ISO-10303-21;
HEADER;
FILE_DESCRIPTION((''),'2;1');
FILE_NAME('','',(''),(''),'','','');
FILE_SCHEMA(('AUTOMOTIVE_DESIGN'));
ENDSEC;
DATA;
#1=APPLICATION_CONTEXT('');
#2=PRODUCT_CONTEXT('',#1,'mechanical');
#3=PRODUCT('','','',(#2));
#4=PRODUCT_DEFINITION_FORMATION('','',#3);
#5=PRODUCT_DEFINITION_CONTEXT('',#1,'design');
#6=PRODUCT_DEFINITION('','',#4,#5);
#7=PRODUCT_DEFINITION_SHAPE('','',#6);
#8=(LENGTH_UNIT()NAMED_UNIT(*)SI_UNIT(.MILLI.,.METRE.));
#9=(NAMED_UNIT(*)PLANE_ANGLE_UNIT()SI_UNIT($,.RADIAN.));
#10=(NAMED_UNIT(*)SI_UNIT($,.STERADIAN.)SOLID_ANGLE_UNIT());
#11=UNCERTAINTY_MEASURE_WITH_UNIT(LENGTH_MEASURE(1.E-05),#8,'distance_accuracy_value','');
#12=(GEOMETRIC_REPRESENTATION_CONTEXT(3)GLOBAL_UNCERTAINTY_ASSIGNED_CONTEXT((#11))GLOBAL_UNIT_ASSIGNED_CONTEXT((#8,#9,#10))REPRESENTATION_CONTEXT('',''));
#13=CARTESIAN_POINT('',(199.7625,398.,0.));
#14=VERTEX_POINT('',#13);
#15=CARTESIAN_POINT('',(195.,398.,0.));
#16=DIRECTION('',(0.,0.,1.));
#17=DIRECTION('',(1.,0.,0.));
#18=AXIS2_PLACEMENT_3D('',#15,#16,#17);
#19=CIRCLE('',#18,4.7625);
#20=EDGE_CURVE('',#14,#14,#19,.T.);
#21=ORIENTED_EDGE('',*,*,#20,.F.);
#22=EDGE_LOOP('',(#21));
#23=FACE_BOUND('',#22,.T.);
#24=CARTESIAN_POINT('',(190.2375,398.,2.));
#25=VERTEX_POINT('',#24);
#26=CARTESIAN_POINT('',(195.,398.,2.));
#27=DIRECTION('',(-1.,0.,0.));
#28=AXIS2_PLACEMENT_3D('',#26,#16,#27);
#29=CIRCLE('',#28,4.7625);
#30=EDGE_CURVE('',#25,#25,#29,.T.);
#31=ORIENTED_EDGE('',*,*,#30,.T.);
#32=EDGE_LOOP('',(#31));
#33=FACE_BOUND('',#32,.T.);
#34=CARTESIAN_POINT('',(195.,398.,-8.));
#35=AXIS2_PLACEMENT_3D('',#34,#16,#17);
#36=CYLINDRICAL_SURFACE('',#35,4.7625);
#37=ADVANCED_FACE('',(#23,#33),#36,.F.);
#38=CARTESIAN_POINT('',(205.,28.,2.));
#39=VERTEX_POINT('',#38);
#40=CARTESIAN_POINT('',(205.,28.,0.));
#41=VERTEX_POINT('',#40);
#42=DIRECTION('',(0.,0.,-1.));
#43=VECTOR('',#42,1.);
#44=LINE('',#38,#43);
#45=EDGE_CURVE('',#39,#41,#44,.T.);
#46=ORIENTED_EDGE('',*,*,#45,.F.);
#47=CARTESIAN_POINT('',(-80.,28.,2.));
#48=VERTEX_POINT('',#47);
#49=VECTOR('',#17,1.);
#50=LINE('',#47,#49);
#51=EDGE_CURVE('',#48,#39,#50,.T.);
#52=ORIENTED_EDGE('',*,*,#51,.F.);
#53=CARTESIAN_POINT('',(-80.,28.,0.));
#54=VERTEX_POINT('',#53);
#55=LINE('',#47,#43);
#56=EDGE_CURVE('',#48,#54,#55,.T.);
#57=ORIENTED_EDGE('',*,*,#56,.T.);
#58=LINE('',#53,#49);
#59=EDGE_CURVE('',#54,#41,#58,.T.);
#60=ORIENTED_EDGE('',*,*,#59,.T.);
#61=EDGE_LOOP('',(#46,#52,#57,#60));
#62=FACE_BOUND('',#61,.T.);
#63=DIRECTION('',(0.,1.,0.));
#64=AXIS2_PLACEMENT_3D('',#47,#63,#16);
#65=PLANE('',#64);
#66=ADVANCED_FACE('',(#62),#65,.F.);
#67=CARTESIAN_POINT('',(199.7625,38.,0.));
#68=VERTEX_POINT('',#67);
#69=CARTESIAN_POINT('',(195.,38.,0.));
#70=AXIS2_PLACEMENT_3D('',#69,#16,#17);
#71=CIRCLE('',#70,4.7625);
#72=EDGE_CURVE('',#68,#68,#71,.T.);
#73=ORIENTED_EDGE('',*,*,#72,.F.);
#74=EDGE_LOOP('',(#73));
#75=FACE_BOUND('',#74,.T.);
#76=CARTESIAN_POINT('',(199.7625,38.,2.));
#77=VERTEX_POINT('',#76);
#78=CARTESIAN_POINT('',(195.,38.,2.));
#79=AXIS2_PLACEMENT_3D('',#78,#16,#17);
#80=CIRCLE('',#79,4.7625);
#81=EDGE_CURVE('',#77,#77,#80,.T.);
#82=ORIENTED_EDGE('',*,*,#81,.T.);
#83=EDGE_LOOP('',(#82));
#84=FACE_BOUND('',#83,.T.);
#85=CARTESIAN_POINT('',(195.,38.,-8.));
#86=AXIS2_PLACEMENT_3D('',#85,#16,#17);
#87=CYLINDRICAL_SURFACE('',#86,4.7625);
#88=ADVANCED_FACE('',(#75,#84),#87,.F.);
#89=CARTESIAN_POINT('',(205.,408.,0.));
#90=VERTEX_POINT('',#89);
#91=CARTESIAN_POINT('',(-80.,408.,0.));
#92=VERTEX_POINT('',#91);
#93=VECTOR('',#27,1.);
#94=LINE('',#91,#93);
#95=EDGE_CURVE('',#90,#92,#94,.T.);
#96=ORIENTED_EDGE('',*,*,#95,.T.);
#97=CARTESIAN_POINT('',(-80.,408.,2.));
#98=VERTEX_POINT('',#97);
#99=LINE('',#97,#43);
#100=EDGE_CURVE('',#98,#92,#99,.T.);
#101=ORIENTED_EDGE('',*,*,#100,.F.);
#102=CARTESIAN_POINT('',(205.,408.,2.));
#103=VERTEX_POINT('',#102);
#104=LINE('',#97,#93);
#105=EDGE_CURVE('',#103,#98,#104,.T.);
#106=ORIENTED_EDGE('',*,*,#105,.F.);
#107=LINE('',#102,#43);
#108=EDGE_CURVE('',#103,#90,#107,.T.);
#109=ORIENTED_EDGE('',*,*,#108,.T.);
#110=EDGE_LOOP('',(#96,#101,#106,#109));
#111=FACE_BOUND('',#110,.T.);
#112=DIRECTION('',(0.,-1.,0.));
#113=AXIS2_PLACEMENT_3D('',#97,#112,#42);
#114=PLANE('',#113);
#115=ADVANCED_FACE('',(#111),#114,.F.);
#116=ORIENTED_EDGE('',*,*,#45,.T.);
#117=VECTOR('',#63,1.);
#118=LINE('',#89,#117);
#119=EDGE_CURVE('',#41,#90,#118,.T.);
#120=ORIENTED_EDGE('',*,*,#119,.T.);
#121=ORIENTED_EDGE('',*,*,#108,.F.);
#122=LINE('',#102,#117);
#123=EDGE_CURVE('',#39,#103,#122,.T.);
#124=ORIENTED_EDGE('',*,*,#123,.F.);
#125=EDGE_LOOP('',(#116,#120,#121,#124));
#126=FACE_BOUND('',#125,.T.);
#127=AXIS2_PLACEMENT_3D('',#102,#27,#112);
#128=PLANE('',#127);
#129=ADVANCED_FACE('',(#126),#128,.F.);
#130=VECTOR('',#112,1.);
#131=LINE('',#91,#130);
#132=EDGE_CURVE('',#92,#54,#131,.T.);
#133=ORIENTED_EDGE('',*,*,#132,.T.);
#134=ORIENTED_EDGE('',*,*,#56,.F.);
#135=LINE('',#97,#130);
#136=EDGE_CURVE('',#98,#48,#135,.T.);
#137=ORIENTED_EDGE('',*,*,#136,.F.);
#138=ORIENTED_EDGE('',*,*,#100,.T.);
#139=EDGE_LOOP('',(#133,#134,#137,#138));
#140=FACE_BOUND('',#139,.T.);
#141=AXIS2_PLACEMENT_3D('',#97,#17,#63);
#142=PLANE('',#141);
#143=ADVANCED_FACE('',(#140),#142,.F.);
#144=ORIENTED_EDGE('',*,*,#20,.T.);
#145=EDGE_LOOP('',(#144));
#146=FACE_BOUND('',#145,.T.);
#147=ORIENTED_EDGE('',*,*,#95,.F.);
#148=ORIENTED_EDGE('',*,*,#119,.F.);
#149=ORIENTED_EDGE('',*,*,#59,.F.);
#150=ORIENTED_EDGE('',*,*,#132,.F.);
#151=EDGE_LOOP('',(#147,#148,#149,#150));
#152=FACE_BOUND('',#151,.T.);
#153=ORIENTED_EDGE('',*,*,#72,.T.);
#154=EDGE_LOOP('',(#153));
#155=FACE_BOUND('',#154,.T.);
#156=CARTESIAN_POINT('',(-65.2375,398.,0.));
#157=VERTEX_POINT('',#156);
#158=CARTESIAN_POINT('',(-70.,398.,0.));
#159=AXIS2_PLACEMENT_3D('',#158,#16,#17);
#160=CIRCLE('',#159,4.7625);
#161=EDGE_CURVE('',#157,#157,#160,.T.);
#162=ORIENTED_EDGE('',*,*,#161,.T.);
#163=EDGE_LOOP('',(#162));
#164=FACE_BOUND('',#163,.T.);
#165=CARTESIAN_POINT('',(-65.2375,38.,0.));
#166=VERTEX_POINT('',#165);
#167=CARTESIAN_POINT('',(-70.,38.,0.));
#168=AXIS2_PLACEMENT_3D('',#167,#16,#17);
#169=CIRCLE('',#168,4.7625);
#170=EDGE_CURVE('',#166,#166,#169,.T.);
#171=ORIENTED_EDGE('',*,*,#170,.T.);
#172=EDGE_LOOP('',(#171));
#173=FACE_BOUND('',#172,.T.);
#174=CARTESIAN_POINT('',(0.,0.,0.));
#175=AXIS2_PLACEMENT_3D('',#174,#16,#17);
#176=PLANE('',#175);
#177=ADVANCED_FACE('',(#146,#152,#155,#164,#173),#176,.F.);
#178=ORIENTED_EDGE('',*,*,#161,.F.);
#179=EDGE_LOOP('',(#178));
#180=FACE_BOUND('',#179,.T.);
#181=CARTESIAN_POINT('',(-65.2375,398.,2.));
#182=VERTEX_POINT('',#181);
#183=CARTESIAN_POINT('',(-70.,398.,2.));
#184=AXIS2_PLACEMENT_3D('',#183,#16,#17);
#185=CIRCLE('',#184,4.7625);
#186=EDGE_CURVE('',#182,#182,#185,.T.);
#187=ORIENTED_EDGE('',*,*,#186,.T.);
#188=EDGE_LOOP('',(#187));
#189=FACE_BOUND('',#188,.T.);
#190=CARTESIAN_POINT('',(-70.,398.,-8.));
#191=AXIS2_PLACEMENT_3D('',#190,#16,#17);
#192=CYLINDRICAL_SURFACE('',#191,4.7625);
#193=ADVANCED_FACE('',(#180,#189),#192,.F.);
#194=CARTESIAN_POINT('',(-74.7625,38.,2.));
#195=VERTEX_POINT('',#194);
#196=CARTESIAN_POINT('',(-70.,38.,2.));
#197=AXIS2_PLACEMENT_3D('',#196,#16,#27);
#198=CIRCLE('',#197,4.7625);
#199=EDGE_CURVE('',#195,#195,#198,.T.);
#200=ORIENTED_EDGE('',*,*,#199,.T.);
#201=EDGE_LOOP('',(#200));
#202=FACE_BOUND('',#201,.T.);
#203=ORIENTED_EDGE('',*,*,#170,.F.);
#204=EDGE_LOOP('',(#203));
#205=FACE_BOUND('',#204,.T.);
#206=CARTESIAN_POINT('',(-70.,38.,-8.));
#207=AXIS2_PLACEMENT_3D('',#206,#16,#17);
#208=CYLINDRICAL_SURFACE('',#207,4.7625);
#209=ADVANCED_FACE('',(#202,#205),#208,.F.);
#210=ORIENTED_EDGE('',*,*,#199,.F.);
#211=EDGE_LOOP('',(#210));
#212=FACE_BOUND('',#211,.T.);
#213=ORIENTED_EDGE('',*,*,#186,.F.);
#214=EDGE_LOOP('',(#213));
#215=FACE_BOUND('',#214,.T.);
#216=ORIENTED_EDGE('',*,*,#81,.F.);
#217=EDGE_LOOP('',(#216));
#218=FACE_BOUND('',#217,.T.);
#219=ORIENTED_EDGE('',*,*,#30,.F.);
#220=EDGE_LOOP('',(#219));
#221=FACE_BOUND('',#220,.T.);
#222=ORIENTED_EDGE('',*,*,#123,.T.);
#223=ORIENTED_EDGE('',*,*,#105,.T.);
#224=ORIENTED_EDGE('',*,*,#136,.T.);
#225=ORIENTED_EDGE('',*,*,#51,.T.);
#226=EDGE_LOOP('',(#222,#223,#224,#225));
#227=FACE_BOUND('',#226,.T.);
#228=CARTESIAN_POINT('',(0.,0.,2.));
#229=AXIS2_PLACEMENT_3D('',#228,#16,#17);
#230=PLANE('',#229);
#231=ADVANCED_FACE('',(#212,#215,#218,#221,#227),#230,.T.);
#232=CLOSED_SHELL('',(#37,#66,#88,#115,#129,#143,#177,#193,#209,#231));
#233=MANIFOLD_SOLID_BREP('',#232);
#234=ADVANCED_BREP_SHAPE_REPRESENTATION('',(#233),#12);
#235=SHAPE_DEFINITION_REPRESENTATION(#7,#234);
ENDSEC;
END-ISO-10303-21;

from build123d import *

# Parameters (mm, degrees)
CROQUIS1_W              = 285
CROQUIS1_H              = 380
SALIENTE_EXTRUIR1_DEPTH = 2
CROQUIS2_R              = 4.7625
CORTAR_EXTRUIR1_DEPTH   = 10


with BuildPart() as part:
    # Croquis1 → Saliente-Extruir1 (new body)
    with BuildSketch(Plane.XY):
        with Locations((62.5, 218)):
            Rectangle(CROQUIS1_W, CROQUIS1_H)
    extrude(amount=SALIENTE_EXTRUIR1_DEPTH)

    # Croquis2 → Cortar-Extruir1 (cut)
    with BuildSketch(Plane.XY.offset(2)):
        with Locations((-70, 398)):
            Circle(CROQUIS2_R)
        with Locations((195, 398)):
            Circle(CROQUIS2_R)
        with Locations((195, 38)):
            Circle(CROQUIS2_R)
        with Locations((-70, 38)):
            Circle(CROQUIS2_R)
    extrude(amount=-CORTAR_EXTRUIR1_DEPTH, mode=Mode.SUBTRACT)


solid = part.part
